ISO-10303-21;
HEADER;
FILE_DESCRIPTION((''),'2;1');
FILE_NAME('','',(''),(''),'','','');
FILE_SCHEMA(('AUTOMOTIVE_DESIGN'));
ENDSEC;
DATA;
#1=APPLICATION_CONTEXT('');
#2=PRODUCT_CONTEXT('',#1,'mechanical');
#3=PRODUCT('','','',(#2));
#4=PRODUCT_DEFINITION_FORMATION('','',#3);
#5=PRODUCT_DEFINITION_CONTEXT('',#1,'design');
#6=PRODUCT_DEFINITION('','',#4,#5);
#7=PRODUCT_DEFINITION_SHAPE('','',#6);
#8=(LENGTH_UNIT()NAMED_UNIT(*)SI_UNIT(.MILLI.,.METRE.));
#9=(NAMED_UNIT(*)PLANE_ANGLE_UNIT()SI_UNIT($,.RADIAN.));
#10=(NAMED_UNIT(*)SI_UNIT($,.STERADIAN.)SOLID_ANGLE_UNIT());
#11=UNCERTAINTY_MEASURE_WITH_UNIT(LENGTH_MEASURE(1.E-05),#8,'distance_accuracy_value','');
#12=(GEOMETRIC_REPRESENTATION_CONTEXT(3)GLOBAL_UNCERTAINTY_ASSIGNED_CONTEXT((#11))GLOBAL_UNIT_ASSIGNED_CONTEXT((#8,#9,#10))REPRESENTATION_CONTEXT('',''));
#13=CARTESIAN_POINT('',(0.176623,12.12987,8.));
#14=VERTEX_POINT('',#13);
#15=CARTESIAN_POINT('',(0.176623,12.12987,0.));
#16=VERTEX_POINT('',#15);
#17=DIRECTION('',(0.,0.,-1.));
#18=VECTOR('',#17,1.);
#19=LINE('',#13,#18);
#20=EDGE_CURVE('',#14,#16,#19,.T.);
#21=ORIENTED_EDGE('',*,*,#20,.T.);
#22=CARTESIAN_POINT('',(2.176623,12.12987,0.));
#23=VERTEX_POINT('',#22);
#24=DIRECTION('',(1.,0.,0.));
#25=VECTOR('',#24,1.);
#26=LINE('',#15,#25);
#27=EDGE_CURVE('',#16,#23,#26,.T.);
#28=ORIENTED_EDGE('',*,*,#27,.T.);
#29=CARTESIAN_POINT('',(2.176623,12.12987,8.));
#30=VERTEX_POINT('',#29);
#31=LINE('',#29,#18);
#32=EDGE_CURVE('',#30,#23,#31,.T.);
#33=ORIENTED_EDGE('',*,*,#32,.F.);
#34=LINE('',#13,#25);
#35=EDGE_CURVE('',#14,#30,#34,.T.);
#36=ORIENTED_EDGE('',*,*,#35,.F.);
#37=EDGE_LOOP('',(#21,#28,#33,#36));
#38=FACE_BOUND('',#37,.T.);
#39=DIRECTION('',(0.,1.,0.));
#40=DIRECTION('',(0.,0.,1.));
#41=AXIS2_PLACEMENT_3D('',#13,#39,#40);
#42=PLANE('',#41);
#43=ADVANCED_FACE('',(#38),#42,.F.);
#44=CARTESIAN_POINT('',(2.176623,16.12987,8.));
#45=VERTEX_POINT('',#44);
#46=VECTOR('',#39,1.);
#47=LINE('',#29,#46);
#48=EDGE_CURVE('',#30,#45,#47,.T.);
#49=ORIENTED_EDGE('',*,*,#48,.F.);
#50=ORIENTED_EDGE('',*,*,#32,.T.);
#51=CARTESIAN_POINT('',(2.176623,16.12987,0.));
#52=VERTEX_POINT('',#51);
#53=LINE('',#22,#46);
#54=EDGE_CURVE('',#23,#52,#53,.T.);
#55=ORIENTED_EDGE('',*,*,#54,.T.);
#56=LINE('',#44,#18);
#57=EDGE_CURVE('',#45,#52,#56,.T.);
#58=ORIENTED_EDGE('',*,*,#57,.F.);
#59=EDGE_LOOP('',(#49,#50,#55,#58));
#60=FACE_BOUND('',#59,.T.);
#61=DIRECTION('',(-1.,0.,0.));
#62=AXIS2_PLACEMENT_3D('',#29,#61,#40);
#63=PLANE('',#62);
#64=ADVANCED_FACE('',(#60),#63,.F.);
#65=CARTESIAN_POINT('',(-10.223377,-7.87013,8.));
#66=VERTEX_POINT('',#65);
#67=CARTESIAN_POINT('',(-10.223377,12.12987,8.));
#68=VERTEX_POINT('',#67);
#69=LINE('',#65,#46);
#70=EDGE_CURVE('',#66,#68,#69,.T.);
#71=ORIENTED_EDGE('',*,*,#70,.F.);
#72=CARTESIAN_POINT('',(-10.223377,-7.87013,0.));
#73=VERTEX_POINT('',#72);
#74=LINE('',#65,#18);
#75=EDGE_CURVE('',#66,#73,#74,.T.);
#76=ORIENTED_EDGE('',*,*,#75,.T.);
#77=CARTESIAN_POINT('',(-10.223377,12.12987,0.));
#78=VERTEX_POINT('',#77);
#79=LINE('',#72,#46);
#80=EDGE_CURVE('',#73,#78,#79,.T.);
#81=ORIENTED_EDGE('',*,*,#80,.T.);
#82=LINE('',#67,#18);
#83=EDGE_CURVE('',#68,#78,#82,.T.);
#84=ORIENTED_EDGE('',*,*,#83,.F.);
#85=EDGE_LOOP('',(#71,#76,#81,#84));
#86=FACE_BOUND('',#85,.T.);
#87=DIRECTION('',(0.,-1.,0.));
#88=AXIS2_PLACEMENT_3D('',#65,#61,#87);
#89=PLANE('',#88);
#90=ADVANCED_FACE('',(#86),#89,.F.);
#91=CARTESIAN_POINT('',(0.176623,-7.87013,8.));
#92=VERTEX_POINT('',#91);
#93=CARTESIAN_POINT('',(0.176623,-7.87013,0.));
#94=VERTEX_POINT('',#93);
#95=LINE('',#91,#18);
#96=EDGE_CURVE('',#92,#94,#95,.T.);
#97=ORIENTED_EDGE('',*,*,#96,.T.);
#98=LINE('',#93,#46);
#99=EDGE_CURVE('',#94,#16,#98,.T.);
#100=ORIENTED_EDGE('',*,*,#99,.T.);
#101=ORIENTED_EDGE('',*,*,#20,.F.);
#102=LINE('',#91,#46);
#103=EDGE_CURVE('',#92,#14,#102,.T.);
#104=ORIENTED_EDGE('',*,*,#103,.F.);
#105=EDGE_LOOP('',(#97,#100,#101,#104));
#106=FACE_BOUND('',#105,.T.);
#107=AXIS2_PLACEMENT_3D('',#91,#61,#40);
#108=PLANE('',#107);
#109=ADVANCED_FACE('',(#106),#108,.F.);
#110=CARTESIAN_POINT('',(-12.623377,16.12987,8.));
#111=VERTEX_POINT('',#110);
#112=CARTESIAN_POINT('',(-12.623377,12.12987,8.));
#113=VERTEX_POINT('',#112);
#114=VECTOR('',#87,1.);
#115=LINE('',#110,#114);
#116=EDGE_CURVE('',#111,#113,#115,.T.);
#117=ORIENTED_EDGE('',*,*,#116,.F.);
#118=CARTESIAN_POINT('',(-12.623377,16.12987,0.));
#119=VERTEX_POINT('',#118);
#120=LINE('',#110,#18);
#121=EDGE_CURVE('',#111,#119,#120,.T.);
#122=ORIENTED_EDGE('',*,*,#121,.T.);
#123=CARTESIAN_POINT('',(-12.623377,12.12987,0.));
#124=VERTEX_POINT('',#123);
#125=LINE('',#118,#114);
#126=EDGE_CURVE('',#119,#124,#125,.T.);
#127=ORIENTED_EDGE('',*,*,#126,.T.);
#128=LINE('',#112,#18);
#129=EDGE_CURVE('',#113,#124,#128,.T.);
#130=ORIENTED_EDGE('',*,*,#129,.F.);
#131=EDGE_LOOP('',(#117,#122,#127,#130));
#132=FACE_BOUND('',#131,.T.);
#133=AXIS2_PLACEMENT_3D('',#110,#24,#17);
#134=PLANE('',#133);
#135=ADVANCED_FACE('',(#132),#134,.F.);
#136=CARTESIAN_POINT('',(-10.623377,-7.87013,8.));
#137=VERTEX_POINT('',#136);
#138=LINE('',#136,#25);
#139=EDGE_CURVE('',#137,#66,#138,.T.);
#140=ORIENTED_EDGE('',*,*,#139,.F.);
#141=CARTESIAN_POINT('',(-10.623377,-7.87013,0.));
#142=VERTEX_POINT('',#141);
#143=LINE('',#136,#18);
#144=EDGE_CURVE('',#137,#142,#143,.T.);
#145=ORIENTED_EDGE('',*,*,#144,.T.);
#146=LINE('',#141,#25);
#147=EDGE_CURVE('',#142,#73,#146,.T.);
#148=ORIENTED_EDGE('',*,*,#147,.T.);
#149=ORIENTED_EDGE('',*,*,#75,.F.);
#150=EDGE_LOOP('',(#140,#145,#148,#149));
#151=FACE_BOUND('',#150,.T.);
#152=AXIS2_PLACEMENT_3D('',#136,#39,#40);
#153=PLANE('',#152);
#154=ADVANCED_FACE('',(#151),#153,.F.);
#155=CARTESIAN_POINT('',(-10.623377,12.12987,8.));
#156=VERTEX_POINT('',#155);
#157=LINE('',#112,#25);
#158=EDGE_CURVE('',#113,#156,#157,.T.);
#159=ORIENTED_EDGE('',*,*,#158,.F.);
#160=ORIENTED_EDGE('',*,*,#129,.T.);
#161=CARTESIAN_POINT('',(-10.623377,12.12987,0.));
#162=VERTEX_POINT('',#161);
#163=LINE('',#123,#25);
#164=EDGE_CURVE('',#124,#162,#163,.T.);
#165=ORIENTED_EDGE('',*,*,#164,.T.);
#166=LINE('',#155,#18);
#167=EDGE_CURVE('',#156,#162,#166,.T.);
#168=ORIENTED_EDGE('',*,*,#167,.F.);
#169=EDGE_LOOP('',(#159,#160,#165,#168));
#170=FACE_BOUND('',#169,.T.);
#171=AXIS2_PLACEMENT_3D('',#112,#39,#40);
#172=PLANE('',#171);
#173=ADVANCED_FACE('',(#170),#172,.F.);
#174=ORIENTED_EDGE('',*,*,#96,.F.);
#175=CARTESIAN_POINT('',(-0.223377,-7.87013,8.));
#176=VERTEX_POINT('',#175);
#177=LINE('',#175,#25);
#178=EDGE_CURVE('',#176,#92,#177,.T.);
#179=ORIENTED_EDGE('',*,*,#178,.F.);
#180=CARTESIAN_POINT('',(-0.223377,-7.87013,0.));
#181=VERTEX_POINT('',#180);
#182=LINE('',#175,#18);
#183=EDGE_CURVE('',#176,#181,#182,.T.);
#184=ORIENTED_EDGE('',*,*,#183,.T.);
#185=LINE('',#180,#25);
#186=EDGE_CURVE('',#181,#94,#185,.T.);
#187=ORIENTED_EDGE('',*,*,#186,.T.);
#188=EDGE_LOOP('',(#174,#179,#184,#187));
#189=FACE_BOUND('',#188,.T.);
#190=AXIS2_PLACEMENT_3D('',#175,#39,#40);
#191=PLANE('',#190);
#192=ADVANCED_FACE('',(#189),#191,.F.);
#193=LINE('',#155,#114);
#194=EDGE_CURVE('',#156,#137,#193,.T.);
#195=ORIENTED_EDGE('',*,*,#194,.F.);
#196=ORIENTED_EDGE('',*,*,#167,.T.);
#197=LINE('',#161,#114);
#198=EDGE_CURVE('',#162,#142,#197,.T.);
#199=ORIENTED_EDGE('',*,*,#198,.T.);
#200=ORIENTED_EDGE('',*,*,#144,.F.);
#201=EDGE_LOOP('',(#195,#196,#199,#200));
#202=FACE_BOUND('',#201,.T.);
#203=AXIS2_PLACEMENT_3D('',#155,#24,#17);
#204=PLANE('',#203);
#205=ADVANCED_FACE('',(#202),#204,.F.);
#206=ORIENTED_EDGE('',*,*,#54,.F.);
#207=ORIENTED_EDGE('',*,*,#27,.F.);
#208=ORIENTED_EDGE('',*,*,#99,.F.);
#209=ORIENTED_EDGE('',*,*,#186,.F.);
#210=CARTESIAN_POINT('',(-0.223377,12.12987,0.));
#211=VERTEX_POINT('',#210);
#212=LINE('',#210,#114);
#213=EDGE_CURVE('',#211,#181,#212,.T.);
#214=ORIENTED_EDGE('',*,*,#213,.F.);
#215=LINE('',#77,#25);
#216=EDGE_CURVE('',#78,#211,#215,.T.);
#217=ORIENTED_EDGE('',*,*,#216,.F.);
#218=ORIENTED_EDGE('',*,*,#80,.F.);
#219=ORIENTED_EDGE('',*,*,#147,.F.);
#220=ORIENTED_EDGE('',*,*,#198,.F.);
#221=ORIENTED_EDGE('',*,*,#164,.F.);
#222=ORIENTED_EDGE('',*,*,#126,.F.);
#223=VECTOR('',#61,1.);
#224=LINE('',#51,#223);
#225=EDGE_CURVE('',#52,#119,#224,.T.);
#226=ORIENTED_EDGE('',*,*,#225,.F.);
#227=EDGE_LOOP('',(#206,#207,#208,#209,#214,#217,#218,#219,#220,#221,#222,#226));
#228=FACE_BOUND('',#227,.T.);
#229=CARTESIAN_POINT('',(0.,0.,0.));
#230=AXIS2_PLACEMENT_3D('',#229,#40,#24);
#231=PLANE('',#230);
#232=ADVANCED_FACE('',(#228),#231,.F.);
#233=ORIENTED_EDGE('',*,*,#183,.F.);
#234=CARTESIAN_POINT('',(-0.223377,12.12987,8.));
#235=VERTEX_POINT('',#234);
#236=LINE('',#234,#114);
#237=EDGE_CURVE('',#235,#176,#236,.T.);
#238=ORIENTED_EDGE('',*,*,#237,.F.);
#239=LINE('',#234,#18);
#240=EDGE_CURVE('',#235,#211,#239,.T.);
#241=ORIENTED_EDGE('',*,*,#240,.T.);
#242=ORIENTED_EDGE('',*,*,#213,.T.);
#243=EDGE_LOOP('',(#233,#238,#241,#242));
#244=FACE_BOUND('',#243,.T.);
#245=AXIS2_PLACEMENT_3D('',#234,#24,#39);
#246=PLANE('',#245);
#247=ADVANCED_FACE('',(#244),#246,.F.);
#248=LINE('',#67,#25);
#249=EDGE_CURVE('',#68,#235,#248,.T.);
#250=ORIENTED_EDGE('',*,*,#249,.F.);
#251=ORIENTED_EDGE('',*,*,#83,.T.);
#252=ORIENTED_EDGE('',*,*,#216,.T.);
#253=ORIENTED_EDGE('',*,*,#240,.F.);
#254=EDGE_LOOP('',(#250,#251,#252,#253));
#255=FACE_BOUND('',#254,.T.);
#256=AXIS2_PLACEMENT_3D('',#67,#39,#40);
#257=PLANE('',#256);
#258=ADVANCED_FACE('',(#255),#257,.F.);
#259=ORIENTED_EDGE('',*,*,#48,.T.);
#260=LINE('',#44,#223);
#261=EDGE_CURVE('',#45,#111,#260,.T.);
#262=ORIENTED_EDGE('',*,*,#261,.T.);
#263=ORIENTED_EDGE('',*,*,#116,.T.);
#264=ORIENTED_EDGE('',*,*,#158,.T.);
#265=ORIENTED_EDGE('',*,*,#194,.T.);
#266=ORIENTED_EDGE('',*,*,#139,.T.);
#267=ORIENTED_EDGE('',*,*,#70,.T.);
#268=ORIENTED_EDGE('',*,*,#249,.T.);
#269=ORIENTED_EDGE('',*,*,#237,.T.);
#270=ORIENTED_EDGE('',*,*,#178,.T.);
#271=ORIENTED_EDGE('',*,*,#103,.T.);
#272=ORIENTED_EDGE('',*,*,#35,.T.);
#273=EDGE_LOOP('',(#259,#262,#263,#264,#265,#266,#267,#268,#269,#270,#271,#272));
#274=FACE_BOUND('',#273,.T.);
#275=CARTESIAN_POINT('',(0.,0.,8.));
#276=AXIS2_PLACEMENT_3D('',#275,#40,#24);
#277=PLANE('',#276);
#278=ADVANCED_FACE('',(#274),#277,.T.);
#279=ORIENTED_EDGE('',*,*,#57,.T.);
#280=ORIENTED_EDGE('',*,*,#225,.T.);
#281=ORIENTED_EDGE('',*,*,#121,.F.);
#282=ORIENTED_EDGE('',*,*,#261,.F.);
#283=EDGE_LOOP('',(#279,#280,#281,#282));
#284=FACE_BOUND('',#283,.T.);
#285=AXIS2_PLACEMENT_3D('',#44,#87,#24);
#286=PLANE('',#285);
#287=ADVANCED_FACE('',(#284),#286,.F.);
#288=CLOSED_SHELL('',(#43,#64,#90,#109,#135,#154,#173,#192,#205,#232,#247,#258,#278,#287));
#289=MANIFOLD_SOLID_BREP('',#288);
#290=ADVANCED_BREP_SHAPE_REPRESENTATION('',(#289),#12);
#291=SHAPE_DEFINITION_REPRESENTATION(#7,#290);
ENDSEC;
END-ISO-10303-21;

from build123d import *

# Parameters (mm, degrees)
BOSS_EXTRUDE1_DEPTH = 8


with BuildPart() as part:
    # Sketch1 → Boss-Extrude1 (new body)
    with BuildSketch(Plane.XY):
        Polygon((-10.623376623, -7.87012987), (-10.223376623, -7.87012987), (-10.223376623, 12.12987013), (-0.223376623, 12.12987013), (-0.223376623, -7.87012987), (0.176623377, -7.87012987), (0.176623377, 12.12987013), (2.176623377, 12.12987013), (2.176623377, 16.12987013), (-12.623376623, 16.12987013), (-12.623376623, 12.12987013), (-10.623376623, 12.12987013), align=None)
    extrude(amount=BOSS_EXTRUDE1_DEPTH)


solid = part.part
